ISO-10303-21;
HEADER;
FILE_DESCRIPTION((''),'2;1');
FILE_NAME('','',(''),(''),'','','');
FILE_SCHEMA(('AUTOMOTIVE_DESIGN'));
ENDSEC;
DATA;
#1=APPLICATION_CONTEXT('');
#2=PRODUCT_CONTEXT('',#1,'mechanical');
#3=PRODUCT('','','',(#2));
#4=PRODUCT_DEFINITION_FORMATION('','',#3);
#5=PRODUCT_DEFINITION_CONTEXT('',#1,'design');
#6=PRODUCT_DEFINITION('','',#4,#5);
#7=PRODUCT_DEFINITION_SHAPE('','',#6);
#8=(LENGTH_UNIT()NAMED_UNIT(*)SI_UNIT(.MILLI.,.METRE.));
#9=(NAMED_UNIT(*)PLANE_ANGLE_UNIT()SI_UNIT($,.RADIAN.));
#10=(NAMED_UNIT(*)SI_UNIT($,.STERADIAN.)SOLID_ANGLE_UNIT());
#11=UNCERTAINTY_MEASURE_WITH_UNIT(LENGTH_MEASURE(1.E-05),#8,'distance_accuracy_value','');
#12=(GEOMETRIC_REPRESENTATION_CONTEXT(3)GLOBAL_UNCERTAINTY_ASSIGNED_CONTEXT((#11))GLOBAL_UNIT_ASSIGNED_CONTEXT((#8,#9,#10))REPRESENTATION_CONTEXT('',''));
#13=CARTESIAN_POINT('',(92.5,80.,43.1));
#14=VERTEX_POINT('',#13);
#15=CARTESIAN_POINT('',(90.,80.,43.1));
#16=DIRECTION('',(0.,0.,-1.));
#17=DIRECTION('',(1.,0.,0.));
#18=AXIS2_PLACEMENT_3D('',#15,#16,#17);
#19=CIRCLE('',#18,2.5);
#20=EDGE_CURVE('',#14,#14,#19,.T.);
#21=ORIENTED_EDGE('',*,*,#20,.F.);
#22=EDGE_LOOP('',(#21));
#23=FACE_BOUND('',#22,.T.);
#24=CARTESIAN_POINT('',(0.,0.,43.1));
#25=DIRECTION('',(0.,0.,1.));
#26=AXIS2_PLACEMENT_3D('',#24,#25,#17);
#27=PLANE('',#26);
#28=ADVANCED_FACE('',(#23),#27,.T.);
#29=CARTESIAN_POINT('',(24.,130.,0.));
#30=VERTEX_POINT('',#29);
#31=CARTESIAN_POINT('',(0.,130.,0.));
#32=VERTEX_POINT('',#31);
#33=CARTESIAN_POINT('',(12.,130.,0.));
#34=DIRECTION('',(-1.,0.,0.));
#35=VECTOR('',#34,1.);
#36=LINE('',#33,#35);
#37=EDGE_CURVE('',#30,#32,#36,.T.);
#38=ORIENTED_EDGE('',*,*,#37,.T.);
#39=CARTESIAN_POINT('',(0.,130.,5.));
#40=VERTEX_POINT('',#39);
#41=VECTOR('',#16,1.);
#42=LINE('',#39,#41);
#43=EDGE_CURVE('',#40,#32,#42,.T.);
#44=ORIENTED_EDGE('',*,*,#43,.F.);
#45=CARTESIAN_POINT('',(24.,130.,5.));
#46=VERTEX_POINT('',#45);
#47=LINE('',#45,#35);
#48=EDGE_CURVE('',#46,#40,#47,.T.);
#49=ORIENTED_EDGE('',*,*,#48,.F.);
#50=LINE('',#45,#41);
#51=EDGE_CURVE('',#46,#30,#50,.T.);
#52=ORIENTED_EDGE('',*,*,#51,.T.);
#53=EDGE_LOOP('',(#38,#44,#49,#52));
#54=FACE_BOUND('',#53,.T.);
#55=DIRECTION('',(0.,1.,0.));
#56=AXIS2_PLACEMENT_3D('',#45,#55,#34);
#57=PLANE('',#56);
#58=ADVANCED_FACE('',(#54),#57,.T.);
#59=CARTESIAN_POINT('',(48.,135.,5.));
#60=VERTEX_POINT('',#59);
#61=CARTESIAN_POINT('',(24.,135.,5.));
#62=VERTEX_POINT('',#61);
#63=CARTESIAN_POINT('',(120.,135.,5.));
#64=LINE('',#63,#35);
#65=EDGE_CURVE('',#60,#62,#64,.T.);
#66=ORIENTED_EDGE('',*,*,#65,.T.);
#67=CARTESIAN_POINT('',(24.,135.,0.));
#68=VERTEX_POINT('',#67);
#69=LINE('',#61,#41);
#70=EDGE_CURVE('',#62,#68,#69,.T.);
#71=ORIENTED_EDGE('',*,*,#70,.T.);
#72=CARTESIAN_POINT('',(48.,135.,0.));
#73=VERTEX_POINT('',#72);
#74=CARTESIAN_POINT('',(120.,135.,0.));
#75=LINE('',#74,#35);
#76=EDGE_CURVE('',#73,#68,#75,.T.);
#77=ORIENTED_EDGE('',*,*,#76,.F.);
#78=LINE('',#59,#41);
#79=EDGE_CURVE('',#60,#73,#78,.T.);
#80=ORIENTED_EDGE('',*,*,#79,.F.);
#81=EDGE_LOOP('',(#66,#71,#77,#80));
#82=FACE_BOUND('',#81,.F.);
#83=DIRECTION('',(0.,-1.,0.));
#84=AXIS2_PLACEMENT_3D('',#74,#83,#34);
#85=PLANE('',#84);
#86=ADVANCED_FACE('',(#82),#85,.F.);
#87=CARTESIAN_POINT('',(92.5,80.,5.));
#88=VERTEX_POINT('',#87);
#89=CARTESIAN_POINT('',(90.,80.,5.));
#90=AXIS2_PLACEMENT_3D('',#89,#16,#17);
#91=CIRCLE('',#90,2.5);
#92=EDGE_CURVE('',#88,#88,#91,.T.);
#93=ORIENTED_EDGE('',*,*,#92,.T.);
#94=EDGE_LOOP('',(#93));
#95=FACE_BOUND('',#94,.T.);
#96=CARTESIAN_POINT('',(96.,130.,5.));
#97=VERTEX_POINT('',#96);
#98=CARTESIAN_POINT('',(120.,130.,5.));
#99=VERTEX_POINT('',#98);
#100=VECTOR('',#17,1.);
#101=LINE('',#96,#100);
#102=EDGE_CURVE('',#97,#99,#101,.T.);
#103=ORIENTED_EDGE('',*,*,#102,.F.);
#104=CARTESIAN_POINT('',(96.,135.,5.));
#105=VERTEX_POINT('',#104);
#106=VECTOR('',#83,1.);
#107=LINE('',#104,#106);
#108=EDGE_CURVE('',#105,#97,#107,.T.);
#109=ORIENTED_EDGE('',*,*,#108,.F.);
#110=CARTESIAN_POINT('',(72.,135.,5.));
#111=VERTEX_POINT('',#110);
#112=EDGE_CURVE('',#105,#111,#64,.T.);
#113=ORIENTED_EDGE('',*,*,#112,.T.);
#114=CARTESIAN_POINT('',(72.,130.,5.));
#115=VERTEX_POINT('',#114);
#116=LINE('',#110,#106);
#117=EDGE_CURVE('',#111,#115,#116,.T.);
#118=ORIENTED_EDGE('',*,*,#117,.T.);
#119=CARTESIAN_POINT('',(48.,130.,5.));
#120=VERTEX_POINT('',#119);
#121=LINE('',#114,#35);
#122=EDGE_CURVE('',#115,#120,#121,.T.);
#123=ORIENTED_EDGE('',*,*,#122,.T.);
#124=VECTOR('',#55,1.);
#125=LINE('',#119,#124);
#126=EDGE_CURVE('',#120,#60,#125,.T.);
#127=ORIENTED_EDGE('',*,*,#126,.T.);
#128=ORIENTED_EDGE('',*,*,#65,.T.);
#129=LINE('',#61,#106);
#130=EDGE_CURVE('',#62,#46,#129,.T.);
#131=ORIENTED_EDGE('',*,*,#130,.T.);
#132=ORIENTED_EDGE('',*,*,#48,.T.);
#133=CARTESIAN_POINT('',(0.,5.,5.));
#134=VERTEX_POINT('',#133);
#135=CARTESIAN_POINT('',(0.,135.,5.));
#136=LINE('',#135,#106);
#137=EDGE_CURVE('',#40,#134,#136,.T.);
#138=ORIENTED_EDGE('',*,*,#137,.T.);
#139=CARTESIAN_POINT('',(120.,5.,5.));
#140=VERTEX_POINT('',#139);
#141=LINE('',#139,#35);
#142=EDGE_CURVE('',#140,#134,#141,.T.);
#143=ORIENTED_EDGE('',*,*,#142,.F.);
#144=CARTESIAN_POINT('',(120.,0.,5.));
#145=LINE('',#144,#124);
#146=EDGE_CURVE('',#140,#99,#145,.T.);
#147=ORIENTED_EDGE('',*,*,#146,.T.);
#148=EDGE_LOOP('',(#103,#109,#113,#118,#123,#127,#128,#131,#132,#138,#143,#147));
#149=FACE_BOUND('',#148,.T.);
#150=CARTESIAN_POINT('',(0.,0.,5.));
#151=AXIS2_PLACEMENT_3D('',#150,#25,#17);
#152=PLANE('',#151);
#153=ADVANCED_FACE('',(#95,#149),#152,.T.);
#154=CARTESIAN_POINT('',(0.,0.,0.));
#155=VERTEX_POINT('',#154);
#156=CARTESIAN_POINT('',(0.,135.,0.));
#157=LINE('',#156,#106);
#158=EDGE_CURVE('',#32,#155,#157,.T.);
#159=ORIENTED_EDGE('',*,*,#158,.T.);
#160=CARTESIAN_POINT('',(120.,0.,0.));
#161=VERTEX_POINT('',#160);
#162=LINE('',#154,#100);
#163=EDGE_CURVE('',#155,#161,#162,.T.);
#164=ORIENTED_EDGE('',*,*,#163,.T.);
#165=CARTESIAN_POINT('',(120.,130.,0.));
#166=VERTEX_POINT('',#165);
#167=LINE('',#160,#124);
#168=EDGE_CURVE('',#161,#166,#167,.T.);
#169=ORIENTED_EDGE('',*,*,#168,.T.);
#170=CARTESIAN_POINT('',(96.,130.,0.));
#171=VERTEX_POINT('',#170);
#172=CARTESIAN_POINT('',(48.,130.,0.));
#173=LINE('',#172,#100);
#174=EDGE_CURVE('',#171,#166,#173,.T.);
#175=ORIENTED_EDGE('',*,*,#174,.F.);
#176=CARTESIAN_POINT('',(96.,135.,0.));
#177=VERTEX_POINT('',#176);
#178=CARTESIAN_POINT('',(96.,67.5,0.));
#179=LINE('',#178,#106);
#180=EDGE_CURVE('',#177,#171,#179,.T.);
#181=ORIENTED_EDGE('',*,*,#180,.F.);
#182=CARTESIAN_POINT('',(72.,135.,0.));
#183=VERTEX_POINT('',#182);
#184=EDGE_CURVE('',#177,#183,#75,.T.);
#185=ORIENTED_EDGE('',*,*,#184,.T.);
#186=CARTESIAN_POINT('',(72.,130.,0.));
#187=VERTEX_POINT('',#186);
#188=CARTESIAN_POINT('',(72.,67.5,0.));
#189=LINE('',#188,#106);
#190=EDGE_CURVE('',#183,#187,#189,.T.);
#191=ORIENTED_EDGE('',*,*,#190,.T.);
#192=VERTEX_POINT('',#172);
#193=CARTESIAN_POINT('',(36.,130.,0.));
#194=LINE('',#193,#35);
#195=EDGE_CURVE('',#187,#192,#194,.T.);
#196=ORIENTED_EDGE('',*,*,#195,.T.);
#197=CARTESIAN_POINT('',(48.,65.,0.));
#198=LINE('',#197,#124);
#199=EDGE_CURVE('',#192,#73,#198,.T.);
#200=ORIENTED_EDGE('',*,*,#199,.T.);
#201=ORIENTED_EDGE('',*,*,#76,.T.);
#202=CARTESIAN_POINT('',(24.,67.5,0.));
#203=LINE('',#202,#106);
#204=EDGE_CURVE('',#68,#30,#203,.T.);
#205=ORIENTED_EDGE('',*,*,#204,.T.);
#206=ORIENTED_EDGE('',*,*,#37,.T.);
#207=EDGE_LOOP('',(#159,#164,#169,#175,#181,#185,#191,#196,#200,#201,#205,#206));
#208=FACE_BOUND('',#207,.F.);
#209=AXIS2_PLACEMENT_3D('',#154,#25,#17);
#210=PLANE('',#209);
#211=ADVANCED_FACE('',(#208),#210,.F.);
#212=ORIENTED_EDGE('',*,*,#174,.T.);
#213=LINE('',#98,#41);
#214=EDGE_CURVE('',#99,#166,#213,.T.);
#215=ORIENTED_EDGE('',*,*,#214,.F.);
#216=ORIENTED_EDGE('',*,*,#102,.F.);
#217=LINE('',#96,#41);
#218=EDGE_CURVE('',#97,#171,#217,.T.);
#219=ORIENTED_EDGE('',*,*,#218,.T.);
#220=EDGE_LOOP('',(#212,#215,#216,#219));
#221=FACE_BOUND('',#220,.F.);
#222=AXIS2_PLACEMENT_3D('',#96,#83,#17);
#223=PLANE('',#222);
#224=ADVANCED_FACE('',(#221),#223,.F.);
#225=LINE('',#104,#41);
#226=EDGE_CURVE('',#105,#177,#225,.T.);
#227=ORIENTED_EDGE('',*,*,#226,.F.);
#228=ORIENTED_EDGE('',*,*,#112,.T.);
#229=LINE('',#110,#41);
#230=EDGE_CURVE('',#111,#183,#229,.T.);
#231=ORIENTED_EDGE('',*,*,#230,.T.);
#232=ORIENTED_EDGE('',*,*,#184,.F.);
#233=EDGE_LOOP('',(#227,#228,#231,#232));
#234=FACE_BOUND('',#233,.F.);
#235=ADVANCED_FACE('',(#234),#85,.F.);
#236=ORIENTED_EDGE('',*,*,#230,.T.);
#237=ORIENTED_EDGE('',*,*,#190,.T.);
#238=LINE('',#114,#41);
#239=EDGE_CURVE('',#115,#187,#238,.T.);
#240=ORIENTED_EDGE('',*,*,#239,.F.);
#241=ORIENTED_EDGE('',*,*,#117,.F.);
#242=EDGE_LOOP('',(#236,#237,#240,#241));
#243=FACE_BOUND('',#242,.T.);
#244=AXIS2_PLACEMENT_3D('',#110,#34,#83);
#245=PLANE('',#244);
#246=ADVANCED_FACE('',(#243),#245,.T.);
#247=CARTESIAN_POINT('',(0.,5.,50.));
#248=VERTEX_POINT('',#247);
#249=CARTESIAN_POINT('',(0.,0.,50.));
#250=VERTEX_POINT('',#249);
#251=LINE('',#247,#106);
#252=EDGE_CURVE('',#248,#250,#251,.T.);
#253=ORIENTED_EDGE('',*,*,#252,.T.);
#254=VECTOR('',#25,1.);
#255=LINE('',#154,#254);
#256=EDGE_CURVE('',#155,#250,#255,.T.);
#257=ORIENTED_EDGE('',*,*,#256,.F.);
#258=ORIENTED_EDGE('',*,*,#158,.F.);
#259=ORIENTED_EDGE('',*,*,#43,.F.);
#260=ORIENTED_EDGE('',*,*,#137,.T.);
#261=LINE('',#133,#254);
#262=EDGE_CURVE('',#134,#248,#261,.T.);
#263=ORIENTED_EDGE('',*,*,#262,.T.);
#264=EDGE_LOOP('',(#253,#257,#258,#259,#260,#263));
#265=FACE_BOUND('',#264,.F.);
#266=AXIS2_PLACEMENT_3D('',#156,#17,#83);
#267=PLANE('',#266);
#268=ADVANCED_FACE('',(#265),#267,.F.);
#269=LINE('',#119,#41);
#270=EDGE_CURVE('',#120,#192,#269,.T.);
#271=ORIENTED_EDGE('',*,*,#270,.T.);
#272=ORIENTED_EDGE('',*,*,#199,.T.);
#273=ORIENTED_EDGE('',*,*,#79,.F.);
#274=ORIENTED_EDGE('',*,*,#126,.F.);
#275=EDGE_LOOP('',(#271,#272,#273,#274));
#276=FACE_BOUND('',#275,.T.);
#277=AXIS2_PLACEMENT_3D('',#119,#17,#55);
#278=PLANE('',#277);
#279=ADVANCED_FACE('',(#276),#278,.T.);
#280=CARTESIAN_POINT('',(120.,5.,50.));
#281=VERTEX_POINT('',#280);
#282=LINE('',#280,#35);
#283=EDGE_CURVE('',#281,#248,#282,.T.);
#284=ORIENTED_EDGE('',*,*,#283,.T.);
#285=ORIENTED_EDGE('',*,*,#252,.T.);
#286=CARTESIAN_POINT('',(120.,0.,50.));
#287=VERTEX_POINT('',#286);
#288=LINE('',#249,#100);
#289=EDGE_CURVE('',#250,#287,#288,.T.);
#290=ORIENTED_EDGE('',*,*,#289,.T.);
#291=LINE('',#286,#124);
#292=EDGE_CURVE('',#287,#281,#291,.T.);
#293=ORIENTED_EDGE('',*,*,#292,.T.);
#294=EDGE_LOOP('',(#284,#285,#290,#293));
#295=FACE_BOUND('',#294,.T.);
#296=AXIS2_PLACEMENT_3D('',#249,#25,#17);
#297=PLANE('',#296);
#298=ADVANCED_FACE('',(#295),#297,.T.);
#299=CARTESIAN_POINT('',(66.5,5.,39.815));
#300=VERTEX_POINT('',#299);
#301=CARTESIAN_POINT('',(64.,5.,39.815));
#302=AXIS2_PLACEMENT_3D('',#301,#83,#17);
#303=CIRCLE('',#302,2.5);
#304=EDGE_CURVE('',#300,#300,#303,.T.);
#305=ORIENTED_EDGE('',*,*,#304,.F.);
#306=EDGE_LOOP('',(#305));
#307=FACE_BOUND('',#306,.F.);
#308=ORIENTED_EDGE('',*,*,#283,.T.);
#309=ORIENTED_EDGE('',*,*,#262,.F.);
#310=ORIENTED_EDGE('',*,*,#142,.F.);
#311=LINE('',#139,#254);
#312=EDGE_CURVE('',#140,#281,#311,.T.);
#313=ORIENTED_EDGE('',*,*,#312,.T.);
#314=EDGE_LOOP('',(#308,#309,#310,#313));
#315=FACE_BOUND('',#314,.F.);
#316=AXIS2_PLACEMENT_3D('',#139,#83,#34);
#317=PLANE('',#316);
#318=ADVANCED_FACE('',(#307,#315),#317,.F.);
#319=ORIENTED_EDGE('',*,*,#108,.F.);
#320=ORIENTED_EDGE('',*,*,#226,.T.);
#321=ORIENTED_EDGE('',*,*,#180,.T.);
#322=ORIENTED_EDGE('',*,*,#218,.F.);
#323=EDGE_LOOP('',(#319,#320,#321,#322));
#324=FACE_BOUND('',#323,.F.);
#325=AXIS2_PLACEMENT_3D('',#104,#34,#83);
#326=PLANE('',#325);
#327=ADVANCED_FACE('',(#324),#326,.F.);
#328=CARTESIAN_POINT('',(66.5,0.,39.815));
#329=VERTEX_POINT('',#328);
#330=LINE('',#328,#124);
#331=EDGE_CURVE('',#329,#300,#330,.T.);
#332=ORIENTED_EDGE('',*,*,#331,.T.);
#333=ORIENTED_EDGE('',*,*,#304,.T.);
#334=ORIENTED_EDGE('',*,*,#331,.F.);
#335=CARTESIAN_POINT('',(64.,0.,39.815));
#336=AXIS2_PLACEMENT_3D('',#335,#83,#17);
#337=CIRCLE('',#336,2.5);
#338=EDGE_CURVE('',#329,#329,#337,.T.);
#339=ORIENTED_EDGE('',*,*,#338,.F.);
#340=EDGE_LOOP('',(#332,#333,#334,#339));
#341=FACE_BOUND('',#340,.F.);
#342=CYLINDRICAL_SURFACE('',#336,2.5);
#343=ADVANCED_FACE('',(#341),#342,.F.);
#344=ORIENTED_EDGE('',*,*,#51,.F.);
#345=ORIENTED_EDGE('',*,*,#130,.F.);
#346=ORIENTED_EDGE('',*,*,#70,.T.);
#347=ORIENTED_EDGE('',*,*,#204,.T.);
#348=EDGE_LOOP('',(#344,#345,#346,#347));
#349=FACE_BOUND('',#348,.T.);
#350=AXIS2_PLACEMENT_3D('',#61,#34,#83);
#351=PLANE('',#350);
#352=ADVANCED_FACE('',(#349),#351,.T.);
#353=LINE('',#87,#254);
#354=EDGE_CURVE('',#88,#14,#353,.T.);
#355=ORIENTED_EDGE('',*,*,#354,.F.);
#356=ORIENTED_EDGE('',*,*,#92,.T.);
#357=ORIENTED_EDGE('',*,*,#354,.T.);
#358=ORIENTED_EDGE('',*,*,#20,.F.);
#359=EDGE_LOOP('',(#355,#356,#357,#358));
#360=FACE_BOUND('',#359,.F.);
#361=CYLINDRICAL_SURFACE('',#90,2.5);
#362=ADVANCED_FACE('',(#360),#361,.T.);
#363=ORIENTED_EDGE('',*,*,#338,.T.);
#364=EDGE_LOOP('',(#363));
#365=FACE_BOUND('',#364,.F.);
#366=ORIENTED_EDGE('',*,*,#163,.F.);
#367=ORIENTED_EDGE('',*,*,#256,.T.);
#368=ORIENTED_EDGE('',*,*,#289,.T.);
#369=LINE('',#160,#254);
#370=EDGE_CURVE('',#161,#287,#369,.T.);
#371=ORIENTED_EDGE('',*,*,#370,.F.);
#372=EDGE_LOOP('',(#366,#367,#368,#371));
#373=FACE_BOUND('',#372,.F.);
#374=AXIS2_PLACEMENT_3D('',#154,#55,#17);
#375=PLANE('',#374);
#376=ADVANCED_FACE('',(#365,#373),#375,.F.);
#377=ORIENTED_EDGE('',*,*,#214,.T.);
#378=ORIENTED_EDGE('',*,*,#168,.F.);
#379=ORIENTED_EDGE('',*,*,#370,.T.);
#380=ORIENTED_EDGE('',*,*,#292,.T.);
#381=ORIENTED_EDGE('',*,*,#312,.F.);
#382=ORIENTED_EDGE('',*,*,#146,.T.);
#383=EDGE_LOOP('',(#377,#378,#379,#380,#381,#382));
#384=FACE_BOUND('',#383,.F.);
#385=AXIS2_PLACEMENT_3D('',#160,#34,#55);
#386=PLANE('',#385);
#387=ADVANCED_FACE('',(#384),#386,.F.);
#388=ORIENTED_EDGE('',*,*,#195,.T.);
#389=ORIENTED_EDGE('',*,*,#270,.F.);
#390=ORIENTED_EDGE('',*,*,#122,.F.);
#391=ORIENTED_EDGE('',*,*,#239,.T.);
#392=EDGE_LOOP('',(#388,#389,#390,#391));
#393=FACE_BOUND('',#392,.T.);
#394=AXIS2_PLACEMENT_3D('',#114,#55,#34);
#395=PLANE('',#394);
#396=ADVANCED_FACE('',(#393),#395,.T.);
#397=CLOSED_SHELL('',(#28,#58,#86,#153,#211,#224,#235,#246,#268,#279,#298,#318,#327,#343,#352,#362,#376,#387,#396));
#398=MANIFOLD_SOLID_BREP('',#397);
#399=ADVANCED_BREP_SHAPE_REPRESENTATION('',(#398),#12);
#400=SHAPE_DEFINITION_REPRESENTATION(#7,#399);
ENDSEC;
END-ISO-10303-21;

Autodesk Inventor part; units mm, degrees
ref_plane "YZ Plane" through (0, 0, 0) normal (1, 0, 0) x (0, 1, 0)
ref_plane "XZ Plane" through (0, 0, 0) normal (0, 1, 0) x (-1, 0, 0)
ref_plane "XY Plane" through (0, 0, 0) normal (0, 0, 1) x (1, 0, 0)
sketch "Sketch1" plane through (0, 0, 0) normal (0, 0, 1) x (1, 0, 0)
  line L0 (0, 0) -> (120, 0)
  line L1 (120, 0) -> (120, 135)
  line L2 (120, 135) -> (0, 135)
  line L3 (0, 135) -> (0, 0)
  dimension "d0" = 120
  dimension "d1" = 135
extrude "Extrusion1" add sketch "Sketch1" along normal blind 5
sketch "Sketch2" plane through (0, 0, 5) normal (0, 0, 1) x (1, 0, 0)
  line L0 (0, 0) -> (120, 0) projected
  line L1 (0, 0) -> (120, 0)
  line L2 (120, 0) -> (120, 5)
  line L3 (120, 5) -> (0, 5)
  line L4 (0, 5) -> (0, 0)
  dimension "d4" = 120
  dimension "d5" = 5
extrude "Extrusion2" add sketch "Sketch2" along normal blind 45
sketch "Sketch3" plane through (0, 0, 5) normal (0, 0, 1) x (1, 0, 0)
  line L0 (120, 135) -> (0, 135) projected
  line L1 (0, 135) -> (24, 135)
  line L2 (24, 135) -> (24, 130)
  line L3 (24, 130) -> (0, 130)
  line L4 (0, 130) -> (0, 135)
  line L5 (120, 135) -> (96, 135)
  line L6 (96, 135) -> (96, 130)
  line L7 (96, 130) -> (120, 130)
  line L8 (120, 130) -> (120, 135)
  line L9 (48, 135) -> (72, 135)
  line L10 (72, 135) -> (72, 130)
  line L11 (72, 130) -> (48, 130)
  line L12 (48, 130) -> (48, 135)
  point P0 (0, 0)
  dimension "d8" = 24
  dimension "d9" = 5
  dimension "d10" = 24
  dimension "d11" = 5
  dimension "d12" = 24
  dimension "d13" = 24
extrude "Extrusion3" cut sketch "Sketch3" against normal blind 45
sketch "Sketch4" plane through (0, 0, 5) normal (0, 0, 1) x (1, 0, 0)
  line L0 (1.8933, 18.6085) -> (59.744, 18.6085) construction
  line L1 (59.744, 18.6085) -> (59.744, 5.8096) construction
  line L2 (59.744, 5.8096) -> (1.8933, 5.8096) construction
  line L3 (1.8933, 5.8096) -> (1.8933, 18.6085) construction
  point P0 (0, 0)
sketch "Sketch5" plane through (0, 0, 0) normal (0, -1, 0) x (1, 0, 0)
  line L0 (1.2536, 49.5181) -> (91.5145, 49.5181) construction
  line L1 (91.5145, 49.5181) -> (91.5145, 35.1014) construction
  line L2 (91.5145, 35.1014) -> (1.2536, 35.1014) construction
  line L3 (1.2536, 35.1014) -> (1.2536, 49.5181) construction
  point P0 (0, 0)
sketch "Sketch6" plane through (0, 5, 5) normal (0, 1, 0) x (1, 0, 0)
  line L0 (39.1274, -43.5353) -> (-30.0492, -43.5353) construction
  line L1 (-30.0492, -43.5353) -> (-30.0492, -68.4744) construction
  line L2 (-30.0492, -68.4744) -> (39.1274, -68.4744) construction
  line L3 (39.1274, -68.4744) -> (39.1274, -43.5353) construction
  point P0 (0, 5)
sketch "Sketch7" plane through (0, 0, 0) normal (0, 0, -1) x (-1, 0, 0)
  line L0 (-119.0942, 8.7754) -> (-47.9511, 8.7754) construction
  line L1 (-47.9511, 8.7754) -> (-47.9511, -14.4167) construction
  line L2 (-47.9511, -14.4167) -> (-119.0942, -14.4167) construction
  line L3 (-119.0942, -14.4167) -> (-119.0942, 8.7754) construction
  point P0 (0, 0)
sketch "Sketch8" plane through (0, 0, 0) normal (0, -1, 0) x (1, 0, 0)
  point P0 (0, 0)
sketch "Sketch9" plane through (0, 0, 0) normal (0, -1, 0) x (1, 0, 0)
  line L0 (120, 0) -> (120, 5) projected
  line L1 (120, 0) -> (120, 39.815)
  line L2 (120, 39.815) -> (64, 39.815)
  circle A0 centre (64, 39.815) radius 2.5
  point P0 (0, 0)
  dimension "d18" = 39.815
  dimension "d19" = 56
  dimension "d20" = 5
extrude "Extrusion4" cut sketch "Sketch9" against normal blind 10
sketch "Sketch10" plane through (0, 0, 5) normal (0, 0, 1) x (1, 0, 0)
  point P0 (0, 0)
sketch "Sketch11" plane through (0, 0, 5) normal (0, 0, 1) x (1, 0, 0)
  line L0 (120, 5) -> (120, 130) projected
  line L1 (120, 5) -> (90, 5)
  line L2 (120, 5) -> (0, 5) projected
  line L3 (90, 5) -> (90, 80)
  circle A0 centre (90, 80) radius 2.5
  point P0 (0, 0)
  dimension "d23" = 30
  dimension "d24" = 75
  dimension "d25" = 5
extrude "Extrusion5" add sketch "Sketch11" along normal blind 38.1
properties part number "WormGearMount"
